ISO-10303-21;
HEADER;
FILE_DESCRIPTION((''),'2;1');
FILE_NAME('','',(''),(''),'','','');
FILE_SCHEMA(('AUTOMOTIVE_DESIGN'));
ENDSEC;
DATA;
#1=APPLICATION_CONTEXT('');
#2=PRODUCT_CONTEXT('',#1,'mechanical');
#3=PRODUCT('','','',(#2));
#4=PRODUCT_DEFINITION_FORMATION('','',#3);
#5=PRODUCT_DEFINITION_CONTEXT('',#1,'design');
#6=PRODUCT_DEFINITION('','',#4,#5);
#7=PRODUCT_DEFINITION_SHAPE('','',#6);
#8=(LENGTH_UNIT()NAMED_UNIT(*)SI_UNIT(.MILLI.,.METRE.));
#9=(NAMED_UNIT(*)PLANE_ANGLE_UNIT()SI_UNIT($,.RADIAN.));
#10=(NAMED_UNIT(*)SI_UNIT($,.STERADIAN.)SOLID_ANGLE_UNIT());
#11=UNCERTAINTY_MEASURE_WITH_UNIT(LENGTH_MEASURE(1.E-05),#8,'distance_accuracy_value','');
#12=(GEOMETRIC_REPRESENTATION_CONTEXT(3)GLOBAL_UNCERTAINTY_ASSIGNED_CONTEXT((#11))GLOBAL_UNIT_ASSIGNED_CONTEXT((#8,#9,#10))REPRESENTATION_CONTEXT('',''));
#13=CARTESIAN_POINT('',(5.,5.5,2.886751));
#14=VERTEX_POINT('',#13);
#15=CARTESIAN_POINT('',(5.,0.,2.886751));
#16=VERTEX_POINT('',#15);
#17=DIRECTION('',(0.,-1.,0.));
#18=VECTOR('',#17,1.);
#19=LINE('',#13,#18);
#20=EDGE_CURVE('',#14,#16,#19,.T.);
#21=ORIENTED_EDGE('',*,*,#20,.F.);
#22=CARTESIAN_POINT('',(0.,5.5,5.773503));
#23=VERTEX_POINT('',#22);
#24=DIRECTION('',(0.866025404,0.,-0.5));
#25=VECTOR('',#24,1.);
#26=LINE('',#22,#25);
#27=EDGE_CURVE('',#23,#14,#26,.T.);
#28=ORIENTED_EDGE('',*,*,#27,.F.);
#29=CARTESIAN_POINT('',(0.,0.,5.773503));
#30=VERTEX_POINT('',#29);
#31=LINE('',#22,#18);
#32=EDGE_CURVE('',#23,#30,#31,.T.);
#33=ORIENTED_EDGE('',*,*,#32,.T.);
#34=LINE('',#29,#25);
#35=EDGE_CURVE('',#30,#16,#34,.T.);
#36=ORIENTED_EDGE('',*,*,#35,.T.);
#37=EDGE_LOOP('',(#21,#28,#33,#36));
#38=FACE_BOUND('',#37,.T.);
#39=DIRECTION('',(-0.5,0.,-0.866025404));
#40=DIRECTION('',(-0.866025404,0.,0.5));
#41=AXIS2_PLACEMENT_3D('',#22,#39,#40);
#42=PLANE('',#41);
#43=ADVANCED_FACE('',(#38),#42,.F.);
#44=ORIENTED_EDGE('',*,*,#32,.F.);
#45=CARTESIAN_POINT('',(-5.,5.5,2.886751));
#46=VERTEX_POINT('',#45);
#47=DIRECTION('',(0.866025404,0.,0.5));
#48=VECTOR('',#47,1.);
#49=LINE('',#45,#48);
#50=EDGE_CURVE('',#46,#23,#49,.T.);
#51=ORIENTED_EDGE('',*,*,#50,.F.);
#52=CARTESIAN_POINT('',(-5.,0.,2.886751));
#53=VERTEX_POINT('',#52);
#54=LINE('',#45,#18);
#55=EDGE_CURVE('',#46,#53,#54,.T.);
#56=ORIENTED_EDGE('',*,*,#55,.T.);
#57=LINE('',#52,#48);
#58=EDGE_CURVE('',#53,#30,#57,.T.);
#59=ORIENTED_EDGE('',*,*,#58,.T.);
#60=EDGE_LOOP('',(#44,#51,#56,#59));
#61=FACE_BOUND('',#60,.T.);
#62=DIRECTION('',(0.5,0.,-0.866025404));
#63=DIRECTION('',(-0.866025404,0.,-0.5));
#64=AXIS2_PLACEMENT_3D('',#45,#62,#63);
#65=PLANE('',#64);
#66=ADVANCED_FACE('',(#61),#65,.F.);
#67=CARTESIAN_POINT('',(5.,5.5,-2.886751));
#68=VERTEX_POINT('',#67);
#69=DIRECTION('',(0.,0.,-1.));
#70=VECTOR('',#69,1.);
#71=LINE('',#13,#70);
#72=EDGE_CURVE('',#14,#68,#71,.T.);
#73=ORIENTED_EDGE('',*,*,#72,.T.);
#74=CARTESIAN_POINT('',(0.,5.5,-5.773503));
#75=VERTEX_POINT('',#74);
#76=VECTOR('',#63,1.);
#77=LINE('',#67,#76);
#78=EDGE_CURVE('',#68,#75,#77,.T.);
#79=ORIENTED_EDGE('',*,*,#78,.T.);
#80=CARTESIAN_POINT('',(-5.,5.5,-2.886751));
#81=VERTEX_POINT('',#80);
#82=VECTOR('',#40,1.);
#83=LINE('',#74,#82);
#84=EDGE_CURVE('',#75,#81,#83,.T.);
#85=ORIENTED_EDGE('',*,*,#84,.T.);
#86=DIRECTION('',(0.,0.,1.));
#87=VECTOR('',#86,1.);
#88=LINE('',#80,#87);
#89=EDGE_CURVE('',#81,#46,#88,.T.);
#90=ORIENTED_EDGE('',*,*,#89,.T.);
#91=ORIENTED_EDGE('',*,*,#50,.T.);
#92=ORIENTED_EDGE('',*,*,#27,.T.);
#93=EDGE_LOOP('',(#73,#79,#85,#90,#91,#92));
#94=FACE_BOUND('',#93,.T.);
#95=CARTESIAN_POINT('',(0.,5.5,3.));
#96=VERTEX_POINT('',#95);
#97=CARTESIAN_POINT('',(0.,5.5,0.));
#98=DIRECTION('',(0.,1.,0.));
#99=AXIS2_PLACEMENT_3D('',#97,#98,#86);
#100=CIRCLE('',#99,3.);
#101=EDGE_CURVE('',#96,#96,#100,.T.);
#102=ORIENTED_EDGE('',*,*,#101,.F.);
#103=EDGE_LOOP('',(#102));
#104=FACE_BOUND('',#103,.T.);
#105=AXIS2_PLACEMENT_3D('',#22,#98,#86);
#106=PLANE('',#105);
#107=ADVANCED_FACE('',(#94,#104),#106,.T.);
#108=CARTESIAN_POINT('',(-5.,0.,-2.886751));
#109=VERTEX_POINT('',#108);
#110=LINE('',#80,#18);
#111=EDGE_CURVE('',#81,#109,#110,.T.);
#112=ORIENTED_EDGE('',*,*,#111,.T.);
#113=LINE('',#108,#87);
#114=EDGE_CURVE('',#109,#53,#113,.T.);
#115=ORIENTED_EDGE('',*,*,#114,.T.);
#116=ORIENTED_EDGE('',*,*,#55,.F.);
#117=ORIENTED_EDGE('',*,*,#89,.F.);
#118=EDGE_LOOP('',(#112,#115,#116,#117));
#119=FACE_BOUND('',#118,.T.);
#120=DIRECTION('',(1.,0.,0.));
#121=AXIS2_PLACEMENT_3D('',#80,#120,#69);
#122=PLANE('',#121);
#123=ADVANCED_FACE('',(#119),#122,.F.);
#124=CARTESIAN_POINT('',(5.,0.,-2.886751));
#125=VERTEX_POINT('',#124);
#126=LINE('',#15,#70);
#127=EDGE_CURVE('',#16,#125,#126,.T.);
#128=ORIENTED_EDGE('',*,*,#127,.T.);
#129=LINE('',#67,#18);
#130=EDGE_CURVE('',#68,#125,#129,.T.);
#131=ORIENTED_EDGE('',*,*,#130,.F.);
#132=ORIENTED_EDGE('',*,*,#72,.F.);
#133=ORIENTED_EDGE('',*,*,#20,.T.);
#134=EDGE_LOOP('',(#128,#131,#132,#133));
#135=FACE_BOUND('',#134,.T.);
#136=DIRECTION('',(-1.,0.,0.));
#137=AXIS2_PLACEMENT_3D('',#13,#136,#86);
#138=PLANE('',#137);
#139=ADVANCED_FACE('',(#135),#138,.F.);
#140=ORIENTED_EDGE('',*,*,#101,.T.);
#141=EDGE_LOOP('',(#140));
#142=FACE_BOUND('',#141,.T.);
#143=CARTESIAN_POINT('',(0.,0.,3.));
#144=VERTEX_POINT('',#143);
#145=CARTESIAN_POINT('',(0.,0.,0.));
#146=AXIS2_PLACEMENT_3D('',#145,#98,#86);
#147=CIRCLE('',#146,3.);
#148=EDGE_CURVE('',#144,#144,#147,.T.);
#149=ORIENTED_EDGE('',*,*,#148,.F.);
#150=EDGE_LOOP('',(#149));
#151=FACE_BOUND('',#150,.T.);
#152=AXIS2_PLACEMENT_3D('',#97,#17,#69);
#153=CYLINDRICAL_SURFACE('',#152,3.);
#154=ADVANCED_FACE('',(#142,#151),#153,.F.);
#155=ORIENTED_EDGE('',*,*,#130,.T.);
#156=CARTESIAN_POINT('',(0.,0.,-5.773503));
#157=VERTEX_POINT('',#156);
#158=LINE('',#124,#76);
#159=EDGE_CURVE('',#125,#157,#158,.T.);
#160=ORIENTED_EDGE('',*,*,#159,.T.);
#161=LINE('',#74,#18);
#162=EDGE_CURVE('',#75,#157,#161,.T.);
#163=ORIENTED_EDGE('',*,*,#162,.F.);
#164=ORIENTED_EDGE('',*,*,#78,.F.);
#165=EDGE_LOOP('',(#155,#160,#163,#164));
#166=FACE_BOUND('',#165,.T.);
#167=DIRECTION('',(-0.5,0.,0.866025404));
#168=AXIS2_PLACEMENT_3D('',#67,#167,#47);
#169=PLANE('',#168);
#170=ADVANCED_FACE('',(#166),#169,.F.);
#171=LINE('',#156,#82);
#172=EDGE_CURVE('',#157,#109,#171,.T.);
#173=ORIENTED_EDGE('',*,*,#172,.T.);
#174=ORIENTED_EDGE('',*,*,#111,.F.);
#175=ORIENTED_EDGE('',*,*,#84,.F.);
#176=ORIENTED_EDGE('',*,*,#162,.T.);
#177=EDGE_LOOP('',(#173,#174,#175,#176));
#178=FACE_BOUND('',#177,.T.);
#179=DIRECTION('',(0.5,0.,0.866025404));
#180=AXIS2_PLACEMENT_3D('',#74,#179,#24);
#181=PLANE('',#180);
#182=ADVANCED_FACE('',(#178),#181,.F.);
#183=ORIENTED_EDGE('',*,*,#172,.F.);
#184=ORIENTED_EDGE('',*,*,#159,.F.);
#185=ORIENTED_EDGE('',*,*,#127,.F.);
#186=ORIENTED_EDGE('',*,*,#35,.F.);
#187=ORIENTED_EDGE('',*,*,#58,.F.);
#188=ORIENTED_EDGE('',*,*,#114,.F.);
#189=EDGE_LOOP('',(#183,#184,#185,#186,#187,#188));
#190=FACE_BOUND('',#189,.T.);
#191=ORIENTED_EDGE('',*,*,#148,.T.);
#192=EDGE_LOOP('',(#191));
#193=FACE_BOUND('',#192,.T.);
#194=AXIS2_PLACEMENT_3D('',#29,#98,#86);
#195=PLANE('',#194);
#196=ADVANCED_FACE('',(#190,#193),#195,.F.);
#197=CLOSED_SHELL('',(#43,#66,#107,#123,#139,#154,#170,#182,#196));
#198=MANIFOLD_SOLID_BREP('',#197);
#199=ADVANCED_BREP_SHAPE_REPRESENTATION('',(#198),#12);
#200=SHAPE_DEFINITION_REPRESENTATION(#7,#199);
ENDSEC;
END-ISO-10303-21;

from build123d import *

# Parameters (mm, degrees)
SKETCH_1_R      = 3
EXTRUDE_1_DEPTH = 5.5


with BuildPart() as part:
    # Эскиз1 → Вытянуть1 (new body)
    with BuildSketch(Plane(origin=(0, 0, 0), x_dir=(1, 0, 0), z_dir=(0, 1, 0))):
        Polygon((0, -5.773502692), (5, -2.886751346), (5, 2.886751346), (0, 5.773502692), (-5, 2.886751346), (-5, -2.886751346), align=None)
        with Locations(Location((0, 0, 0), (0, 0, 270))):
            Circle(SKETCH_1_R, mode=Mode.SUBTRACT)
    extrude(amount=EXTRUDE_1_DEPTH)


solid = part.part
